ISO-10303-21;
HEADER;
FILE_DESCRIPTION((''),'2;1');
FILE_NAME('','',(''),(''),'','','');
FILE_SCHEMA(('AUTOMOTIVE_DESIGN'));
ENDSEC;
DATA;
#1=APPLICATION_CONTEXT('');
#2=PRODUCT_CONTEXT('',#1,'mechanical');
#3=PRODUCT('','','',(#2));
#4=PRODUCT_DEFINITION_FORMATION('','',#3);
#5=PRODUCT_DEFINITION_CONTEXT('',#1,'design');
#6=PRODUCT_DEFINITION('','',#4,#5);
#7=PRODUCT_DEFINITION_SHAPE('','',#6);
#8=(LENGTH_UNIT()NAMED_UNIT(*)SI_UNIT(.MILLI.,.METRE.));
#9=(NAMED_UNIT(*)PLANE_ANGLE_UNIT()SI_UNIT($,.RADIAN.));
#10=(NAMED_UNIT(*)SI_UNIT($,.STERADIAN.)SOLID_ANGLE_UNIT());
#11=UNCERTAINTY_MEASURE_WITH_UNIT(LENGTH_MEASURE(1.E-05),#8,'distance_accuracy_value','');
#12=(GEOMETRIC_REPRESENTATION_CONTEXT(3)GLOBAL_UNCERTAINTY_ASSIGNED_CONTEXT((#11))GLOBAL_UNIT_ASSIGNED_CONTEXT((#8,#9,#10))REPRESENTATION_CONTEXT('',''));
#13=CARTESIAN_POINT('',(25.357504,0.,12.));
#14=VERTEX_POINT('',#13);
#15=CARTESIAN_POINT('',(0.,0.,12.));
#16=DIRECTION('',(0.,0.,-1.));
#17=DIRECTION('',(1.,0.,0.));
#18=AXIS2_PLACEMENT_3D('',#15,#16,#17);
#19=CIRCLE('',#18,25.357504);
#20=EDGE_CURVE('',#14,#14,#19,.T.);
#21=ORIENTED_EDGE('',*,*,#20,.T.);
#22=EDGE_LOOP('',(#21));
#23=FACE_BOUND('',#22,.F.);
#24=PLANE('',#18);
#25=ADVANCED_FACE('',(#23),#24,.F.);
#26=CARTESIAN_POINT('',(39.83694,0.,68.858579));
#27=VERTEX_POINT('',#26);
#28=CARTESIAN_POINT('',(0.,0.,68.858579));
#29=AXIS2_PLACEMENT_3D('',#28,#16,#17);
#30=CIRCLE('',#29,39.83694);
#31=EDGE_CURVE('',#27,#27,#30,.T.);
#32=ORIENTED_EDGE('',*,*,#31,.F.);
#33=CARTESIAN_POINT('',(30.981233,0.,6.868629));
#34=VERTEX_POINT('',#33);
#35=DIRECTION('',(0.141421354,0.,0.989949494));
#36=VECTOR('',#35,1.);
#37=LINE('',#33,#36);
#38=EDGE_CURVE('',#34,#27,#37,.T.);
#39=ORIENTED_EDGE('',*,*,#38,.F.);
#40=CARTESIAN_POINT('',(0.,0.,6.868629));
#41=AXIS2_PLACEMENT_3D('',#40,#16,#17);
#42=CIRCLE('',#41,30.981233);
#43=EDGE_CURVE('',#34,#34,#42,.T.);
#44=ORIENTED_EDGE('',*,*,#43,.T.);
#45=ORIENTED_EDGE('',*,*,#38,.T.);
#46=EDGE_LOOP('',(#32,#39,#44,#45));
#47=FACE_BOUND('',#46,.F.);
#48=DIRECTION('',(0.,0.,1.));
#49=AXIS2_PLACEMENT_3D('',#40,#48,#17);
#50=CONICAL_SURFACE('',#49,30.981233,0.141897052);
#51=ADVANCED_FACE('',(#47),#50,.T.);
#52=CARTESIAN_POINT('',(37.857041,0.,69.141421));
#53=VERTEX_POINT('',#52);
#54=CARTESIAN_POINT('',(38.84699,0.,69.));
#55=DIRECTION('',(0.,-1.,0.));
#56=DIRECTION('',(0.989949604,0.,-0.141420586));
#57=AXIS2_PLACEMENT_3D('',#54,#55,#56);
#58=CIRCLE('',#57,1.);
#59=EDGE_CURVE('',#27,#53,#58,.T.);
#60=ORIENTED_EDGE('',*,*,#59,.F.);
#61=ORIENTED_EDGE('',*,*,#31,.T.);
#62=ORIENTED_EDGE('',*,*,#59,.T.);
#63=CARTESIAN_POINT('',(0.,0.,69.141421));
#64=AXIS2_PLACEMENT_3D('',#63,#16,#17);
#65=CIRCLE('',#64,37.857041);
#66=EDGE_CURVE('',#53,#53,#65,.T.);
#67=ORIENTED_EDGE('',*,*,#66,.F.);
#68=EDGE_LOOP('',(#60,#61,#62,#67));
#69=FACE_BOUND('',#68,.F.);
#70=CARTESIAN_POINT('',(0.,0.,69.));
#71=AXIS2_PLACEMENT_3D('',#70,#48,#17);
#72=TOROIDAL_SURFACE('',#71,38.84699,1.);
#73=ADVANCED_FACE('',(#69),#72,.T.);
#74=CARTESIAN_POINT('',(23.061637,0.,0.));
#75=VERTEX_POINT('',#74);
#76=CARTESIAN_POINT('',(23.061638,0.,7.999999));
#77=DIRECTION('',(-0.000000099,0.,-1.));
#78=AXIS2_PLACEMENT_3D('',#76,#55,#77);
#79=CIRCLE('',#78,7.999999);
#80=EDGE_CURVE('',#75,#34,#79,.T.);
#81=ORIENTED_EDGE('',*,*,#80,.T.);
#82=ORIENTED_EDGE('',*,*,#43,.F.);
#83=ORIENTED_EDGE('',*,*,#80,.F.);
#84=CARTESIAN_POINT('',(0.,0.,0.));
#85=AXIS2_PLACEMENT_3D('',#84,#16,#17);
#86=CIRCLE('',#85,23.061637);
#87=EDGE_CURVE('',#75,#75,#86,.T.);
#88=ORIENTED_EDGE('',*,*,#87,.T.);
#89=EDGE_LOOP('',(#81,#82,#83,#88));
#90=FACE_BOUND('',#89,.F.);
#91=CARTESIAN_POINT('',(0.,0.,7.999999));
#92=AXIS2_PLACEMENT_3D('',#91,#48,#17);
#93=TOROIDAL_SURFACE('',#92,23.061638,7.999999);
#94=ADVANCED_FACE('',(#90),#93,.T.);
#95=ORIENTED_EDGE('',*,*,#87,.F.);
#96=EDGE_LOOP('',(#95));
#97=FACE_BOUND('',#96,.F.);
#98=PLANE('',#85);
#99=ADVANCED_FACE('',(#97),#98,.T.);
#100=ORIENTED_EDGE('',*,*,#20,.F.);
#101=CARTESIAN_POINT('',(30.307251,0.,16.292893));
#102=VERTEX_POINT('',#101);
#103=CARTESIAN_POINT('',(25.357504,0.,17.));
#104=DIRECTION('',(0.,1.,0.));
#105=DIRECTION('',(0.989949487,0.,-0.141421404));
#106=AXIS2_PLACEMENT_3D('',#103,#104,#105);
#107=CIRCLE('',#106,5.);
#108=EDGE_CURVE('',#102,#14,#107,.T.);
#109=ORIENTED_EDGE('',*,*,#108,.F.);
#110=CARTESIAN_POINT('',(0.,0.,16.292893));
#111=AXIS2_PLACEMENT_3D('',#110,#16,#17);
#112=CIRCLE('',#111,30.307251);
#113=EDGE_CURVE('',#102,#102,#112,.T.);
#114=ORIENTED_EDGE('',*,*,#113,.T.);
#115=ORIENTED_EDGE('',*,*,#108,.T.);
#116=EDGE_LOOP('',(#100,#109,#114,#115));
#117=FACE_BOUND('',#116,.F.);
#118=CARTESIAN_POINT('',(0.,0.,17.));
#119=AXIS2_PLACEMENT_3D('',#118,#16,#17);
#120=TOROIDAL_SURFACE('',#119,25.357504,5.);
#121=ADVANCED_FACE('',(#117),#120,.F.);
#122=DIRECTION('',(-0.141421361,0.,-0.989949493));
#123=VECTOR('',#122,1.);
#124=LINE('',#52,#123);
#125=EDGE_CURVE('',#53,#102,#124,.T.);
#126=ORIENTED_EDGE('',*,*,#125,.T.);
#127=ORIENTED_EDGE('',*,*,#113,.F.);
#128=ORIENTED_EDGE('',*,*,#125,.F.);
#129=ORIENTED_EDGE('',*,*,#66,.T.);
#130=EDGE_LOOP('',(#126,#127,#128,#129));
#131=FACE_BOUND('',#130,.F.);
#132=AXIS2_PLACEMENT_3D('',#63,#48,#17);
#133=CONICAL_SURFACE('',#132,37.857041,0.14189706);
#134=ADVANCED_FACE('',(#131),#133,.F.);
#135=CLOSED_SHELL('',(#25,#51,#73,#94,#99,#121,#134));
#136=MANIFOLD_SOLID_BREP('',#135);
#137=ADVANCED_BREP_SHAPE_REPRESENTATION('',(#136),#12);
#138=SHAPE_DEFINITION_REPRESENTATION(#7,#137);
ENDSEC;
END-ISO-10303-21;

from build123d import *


with BuildPart() as f1:
    # F0 (on Front) → F1 (revolve)
    with BuildSketch(Plane.XZ):
        with BuildLine():
            Line((25.357504, 12), (0, 12))
            Line((0, 12), (0, 0))
            Line((0, 0), (23.061637, 0))
            ThreePointArc((23.061637, 0), (28.303251, 1.956368), (30.981233, 6.868629))
            Line((30.981233, 6.868629), (39.83694, 68.858579))
            ThreePointArc((39.83694, 68.858579), (38.988412, 69.989949), (37.857041, 69.141421))
            Line((37.857041, 69.141421), (30.307251, 16.292893))
            ThreePointArc((30.307251, 16.292893), (28.633512, 13.22273), (25.357504, 12))
        make_face()
    revolve(axis=Axis((0, 0, 6), (0, 0, -1)))


solid = f1.part
